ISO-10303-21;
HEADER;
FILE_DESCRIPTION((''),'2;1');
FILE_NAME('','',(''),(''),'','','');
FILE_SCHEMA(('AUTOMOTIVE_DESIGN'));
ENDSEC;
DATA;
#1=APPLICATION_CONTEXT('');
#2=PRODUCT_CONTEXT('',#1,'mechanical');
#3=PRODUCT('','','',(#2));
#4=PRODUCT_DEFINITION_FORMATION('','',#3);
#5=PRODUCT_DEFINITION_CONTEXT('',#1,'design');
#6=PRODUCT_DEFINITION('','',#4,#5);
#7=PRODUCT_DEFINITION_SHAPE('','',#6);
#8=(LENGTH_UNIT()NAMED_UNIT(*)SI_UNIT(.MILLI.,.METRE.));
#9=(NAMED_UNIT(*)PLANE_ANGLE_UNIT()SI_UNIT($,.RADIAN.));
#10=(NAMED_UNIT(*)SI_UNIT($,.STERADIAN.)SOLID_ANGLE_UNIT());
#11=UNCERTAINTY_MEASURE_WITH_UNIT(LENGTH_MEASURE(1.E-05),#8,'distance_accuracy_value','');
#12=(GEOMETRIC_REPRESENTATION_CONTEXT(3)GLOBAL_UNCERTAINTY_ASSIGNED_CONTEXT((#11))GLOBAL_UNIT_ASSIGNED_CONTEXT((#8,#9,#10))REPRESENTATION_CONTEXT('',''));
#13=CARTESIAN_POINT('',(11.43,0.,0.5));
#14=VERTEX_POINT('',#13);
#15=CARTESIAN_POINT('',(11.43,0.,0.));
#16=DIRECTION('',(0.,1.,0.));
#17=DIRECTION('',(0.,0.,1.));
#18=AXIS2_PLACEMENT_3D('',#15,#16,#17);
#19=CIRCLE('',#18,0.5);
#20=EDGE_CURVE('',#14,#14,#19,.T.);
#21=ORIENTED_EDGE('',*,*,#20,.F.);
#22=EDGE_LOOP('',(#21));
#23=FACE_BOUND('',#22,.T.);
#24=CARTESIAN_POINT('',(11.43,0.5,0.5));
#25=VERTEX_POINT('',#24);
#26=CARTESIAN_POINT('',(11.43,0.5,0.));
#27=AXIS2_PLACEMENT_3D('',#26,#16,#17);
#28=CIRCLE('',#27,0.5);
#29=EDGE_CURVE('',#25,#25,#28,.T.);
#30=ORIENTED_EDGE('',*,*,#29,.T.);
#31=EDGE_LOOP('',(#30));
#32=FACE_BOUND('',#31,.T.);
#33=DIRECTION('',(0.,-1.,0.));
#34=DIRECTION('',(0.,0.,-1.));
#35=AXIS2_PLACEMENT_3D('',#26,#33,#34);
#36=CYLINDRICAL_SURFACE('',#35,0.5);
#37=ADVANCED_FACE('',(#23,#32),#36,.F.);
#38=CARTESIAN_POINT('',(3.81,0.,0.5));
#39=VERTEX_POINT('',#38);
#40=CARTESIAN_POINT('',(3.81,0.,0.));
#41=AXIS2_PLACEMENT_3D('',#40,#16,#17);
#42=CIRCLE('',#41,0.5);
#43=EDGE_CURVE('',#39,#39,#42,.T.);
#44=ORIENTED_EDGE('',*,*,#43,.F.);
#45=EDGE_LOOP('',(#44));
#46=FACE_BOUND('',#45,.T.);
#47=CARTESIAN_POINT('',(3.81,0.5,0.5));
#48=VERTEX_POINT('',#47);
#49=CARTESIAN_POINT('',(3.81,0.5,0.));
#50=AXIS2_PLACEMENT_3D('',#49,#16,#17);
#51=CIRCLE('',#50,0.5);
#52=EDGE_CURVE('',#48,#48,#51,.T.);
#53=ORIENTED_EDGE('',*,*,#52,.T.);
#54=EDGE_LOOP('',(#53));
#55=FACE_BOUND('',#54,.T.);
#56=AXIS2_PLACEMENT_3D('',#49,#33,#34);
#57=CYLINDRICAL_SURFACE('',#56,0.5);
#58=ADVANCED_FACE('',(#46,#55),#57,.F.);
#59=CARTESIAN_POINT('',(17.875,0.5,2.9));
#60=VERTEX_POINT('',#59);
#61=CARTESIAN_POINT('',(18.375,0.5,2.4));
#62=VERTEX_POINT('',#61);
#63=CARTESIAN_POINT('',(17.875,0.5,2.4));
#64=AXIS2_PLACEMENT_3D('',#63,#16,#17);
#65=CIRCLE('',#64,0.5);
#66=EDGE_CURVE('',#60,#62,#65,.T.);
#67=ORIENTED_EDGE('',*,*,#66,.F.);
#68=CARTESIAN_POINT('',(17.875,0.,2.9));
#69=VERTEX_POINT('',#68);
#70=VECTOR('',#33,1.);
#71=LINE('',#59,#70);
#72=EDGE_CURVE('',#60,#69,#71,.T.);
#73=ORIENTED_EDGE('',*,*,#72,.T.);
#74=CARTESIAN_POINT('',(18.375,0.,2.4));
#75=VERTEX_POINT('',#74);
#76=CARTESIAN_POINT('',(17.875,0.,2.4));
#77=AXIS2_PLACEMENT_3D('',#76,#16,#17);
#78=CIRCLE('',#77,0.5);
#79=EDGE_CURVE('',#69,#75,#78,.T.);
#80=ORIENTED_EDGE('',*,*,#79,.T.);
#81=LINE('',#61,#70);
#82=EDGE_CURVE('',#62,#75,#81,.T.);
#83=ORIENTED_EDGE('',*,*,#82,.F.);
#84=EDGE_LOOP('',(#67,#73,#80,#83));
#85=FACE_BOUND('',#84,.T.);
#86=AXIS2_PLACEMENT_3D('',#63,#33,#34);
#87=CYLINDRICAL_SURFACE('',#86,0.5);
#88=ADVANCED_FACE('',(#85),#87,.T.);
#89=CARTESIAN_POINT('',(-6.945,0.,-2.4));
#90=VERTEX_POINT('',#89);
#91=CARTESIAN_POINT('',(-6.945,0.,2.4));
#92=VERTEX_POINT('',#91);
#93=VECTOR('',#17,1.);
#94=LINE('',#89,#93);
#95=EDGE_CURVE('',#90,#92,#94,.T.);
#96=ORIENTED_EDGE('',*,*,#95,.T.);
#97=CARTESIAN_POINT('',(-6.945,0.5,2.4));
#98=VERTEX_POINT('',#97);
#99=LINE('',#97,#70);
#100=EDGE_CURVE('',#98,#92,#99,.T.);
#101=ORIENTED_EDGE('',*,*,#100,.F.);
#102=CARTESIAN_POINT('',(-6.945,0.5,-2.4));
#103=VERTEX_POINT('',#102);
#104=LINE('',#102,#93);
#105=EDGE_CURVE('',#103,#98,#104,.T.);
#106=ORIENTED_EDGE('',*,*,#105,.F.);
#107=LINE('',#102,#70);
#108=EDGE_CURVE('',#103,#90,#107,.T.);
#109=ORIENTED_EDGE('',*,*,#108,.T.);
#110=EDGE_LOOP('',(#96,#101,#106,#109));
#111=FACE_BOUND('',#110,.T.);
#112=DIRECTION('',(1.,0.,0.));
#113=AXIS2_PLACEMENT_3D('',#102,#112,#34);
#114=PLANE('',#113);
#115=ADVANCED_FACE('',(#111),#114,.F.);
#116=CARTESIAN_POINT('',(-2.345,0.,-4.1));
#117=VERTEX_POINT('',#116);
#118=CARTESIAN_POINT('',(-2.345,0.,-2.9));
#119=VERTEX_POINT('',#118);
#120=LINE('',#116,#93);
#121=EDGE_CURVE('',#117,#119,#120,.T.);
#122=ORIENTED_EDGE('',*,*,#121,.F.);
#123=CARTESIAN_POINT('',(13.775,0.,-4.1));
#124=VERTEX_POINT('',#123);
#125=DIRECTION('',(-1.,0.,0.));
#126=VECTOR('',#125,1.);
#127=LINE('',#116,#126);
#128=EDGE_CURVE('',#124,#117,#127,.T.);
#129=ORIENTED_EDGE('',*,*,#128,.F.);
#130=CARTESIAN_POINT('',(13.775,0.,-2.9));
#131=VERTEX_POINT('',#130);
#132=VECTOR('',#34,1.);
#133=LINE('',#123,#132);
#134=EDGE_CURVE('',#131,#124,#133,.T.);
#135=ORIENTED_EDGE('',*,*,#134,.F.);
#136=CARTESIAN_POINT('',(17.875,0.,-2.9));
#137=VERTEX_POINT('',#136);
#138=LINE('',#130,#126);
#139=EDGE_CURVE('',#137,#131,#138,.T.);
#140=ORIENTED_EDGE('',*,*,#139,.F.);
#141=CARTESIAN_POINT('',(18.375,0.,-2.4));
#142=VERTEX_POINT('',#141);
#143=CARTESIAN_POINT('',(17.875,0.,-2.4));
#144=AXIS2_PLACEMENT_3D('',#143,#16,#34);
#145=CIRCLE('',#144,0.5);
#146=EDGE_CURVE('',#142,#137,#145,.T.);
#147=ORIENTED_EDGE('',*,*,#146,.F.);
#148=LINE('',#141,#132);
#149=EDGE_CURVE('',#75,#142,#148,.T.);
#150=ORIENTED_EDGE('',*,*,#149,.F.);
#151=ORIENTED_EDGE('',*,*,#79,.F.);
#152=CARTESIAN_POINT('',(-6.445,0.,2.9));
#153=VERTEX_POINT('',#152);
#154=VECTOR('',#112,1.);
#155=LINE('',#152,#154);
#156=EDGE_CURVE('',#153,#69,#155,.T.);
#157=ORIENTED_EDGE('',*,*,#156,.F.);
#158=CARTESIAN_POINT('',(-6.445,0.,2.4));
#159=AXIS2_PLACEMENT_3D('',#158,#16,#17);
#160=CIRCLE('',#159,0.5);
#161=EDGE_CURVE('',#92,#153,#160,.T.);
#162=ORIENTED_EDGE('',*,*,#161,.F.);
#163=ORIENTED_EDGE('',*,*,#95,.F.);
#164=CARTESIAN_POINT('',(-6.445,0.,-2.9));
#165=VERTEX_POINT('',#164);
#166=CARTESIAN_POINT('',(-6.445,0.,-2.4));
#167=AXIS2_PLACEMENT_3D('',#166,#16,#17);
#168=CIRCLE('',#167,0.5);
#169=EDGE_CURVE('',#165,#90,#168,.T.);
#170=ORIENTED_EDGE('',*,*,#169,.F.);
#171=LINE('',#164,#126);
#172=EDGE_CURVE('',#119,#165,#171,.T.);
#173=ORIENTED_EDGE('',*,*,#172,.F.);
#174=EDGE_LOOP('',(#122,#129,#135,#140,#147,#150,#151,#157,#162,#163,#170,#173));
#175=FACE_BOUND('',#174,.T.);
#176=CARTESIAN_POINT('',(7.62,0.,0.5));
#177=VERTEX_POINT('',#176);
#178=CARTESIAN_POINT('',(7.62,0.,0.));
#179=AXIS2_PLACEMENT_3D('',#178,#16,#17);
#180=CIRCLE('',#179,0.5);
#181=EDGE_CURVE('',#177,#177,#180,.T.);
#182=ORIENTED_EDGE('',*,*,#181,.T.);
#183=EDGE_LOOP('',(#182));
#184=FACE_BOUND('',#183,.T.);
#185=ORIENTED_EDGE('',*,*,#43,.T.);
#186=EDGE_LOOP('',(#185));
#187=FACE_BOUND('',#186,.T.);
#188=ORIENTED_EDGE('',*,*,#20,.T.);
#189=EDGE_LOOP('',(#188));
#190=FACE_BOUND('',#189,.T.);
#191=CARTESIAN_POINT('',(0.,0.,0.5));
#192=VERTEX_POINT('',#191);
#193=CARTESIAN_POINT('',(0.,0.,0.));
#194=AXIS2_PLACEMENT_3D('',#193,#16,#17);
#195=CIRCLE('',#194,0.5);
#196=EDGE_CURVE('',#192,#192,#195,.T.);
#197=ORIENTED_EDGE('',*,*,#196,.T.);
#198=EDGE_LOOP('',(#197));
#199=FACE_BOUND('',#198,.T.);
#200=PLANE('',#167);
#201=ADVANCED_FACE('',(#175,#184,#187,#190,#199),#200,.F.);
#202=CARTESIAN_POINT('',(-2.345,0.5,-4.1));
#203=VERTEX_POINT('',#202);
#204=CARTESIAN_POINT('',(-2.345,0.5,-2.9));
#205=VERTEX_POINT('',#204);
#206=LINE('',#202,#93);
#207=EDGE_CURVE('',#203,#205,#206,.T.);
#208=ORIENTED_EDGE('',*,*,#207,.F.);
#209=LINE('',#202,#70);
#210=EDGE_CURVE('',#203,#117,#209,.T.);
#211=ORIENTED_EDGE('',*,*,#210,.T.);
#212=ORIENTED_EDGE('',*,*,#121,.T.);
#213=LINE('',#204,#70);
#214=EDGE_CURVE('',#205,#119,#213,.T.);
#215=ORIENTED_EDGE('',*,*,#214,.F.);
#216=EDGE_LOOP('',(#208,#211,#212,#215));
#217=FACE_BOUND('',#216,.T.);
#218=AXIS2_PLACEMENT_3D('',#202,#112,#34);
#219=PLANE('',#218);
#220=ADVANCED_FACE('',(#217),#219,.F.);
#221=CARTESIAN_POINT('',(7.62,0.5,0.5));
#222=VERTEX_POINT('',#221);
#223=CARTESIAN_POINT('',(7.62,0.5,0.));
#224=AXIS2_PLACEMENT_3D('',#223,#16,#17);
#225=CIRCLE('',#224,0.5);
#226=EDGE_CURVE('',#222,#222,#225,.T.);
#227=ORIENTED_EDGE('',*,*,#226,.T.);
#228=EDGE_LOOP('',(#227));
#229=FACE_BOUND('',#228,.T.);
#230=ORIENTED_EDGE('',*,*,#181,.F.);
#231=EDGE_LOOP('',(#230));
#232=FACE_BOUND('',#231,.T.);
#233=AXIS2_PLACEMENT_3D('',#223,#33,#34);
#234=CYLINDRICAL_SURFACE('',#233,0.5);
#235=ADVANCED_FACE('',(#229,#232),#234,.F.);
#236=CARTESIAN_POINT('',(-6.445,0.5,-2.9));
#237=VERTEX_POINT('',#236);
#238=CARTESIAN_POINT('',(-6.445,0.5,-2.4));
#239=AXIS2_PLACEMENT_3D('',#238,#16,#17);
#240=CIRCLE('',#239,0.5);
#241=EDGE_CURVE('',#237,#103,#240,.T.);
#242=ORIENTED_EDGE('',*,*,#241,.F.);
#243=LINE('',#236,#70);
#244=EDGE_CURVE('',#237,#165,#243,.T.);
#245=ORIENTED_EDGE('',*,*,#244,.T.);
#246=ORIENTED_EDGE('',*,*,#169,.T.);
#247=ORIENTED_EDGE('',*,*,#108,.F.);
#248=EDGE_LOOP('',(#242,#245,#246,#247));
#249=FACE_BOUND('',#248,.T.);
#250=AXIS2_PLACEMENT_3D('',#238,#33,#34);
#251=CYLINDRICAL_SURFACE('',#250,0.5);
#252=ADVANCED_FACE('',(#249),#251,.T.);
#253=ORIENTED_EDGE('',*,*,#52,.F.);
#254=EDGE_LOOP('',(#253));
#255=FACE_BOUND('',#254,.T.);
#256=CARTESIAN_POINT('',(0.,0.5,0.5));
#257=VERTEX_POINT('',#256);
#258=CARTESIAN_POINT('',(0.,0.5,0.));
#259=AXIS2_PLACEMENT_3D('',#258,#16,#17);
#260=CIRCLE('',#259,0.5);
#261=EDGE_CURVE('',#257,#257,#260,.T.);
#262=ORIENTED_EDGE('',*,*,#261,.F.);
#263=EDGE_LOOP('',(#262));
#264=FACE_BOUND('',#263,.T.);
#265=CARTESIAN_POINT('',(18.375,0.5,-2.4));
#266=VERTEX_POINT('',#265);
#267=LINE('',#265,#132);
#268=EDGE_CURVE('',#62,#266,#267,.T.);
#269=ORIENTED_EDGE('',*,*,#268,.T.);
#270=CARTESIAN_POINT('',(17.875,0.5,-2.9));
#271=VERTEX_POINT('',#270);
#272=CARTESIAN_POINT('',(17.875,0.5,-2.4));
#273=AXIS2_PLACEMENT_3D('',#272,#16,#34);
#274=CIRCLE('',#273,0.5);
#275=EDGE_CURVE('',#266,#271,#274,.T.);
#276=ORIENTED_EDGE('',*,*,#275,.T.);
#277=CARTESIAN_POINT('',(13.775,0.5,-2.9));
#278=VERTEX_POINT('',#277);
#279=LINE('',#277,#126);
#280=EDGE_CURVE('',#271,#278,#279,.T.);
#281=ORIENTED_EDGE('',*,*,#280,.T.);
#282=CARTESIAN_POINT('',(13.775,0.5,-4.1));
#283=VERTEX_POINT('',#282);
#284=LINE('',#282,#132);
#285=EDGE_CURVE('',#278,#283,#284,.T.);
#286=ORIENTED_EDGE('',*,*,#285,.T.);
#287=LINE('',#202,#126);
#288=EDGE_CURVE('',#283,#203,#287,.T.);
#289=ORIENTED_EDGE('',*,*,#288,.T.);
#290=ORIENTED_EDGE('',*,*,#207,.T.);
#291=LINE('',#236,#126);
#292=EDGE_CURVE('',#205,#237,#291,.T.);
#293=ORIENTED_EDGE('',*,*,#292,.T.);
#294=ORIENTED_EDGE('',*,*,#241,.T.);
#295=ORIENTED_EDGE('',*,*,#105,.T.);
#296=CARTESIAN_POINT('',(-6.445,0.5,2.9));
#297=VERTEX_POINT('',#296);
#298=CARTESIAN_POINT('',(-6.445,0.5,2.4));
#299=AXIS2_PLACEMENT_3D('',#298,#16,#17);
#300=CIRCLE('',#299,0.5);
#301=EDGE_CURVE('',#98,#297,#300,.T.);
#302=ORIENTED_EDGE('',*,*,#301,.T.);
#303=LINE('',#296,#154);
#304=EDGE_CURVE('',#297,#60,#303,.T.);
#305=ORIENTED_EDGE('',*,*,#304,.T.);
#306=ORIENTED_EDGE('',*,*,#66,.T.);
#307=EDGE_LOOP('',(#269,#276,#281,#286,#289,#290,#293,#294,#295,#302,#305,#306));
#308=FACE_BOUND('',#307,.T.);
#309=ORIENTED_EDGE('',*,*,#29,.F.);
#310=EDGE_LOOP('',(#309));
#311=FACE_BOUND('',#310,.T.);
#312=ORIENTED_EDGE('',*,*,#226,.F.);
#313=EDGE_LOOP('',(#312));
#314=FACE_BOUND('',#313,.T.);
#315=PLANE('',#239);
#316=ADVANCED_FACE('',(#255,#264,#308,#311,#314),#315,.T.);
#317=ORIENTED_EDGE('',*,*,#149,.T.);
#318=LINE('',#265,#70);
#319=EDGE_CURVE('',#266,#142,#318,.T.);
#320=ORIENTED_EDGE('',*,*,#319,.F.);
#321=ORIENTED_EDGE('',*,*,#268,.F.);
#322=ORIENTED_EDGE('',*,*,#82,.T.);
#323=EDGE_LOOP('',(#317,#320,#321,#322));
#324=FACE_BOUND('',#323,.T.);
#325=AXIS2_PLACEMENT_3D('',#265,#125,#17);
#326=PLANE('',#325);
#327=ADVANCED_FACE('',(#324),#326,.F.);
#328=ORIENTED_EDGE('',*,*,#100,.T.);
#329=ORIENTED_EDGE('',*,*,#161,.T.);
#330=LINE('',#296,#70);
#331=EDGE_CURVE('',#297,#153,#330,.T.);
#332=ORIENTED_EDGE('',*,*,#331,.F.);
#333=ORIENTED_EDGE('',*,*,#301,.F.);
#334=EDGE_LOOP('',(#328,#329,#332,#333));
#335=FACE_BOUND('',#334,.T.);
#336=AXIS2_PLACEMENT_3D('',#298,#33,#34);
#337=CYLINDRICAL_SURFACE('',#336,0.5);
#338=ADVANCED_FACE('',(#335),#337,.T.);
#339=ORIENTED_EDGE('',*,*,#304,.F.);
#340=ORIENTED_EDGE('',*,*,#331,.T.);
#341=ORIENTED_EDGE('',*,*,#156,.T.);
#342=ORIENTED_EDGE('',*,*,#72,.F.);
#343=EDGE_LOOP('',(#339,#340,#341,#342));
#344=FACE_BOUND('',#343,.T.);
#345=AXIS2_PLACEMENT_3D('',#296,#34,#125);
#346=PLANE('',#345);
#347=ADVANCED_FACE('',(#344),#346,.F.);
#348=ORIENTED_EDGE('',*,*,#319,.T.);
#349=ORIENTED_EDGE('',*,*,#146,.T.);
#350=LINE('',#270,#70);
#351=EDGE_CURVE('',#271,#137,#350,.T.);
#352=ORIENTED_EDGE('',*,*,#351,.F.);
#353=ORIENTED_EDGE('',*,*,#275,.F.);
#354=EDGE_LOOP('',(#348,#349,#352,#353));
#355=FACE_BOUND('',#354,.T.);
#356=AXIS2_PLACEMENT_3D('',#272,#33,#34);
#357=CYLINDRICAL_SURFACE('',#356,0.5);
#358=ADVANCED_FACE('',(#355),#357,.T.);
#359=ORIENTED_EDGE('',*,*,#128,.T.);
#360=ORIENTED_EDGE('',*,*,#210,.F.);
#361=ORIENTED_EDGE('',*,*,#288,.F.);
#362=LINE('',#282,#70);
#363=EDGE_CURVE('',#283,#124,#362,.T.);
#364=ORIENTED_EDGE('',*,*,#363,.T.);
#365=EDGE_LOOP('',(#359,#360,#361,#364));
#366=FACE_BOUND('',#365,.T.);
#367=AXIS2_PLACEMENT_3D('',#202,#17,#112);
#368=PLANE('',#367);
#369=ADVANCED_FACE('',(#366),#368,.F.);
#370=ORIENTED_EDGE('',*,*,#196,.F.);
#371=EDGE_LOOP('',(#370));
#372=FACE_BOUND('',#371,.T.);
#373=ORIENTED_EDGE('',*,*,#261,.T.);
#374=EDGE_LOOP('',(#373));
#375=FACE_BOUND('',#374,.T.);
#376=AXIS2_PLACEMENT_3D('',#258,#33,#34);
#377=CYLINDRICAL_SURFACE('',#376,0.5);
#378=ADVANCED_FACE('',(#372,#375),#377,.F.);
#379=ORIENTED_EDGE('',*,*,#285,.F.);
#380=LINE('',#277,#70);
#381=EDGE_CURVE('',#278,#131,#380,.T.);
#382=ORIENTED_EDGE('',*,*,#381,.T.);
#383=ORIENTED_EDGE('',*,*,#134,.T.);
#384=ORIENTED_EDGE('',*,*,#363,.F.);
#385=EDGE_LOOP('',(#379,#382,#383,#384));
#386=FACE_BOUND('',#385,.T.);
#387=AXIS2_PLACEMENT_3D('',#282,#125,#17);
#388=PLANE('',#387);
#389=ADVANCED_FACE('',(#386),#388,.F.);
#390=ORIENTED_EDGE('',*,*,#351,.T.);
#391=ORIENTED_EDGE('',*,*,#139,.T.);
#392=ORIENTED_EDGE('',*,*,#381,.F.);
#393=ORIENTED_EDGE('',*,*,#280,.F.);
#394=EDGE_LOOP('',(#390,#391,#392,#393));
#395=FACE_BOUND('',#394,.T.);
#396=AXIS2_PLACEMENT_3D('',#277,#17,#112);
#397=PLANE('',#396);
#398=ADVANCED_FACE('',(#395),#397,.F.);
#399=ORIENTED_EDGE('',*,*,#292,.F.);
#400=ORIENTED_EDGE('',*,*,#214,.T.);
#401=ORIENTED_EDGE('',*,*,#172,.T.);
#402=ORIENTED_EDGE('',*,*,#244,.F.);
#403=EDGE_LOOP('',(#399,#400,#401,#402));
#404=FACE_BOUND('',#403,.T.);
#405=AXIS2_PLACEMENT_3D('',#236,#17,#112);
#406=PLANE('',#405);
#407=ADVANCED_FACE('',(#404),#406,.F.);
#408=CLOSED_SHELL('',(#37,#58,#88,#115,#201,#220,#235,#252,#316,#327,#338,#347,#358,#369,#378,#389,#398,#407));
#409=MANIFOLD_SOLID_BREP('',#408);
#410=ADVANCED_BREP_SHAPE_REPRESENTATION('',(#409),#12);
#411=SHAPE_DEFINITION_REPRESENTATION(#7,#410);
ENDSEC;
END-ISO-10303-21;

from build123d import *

# Parameters (mm, degrees)
SKETCH1_R           = 0.5
BOSS_EXTRUDE1_DEPTH = 0.5


with BuildPart() as part:
    # Sketch1 → Boss-Extrude1 (new body)
    with BuildSketch(Plane(origin=(0, 0, 0), x_dir=(1, 0, 0), z_dir=(0, 1, 0))):
        with BuildLine():
            Line((13.775, 2.9), (17.875, 2.9))
            ThreePointArc((17.875, 2.9), (18.228553391, 2.753553391), (18.375, 2.4))
            Line((18.375, 2.4), (18.375, -2.4))
            ThreePointArc((18.375, -2.4), (18.228553391, -2.753553391), (17.875, -2.9))
            Line((17.875, -2.9), (-6.445, -2.9))
            ThreePointArc((-6.445, -2.9), (-6.798553391, -2.753553391), (-6.945, -2.4))
            Line((-6.945, -2.4), (-6.945, 2.4))
            ThreePointArc((-6.945, 2.4), (-6.798553391, 2.753553391), (-6.445, 2.9))
            Line((-6.445, 2.9), (-2.345, 2.9))
            Line((-2.345, 2.9), (-2.345, 4.1))
            Line((-2.345, 4.1), (13.775, 4.1))
            Line((13.775, 4.1), (13.775, 2.9))
        make_face()
        with Locations(Location((0, 0, 0), (0, 0, 270))):
            Circle(SKETCH1_R, mode=Mode.SUBTRACT)
        with Locations(Location((3.81, 0, 0), (0, 0, 270))):
            Circle(SKETCH1_R, mode=Mode.SUBTRACT)
        with Locations(Location((7.62, 0, 0), (0, 0, 270))):
            Circle(SKETCH1_R, mode=Mode.SUBTRACT)
        with Locations(Location((11.43, 0, 0), (0, 0, 270))):
            Circle(SKETCH1_R, mode=Mode.SUBTRACT)
    extrude(amount=BOSS_EXTRUDE1_DEPTH)


solid = part.part
